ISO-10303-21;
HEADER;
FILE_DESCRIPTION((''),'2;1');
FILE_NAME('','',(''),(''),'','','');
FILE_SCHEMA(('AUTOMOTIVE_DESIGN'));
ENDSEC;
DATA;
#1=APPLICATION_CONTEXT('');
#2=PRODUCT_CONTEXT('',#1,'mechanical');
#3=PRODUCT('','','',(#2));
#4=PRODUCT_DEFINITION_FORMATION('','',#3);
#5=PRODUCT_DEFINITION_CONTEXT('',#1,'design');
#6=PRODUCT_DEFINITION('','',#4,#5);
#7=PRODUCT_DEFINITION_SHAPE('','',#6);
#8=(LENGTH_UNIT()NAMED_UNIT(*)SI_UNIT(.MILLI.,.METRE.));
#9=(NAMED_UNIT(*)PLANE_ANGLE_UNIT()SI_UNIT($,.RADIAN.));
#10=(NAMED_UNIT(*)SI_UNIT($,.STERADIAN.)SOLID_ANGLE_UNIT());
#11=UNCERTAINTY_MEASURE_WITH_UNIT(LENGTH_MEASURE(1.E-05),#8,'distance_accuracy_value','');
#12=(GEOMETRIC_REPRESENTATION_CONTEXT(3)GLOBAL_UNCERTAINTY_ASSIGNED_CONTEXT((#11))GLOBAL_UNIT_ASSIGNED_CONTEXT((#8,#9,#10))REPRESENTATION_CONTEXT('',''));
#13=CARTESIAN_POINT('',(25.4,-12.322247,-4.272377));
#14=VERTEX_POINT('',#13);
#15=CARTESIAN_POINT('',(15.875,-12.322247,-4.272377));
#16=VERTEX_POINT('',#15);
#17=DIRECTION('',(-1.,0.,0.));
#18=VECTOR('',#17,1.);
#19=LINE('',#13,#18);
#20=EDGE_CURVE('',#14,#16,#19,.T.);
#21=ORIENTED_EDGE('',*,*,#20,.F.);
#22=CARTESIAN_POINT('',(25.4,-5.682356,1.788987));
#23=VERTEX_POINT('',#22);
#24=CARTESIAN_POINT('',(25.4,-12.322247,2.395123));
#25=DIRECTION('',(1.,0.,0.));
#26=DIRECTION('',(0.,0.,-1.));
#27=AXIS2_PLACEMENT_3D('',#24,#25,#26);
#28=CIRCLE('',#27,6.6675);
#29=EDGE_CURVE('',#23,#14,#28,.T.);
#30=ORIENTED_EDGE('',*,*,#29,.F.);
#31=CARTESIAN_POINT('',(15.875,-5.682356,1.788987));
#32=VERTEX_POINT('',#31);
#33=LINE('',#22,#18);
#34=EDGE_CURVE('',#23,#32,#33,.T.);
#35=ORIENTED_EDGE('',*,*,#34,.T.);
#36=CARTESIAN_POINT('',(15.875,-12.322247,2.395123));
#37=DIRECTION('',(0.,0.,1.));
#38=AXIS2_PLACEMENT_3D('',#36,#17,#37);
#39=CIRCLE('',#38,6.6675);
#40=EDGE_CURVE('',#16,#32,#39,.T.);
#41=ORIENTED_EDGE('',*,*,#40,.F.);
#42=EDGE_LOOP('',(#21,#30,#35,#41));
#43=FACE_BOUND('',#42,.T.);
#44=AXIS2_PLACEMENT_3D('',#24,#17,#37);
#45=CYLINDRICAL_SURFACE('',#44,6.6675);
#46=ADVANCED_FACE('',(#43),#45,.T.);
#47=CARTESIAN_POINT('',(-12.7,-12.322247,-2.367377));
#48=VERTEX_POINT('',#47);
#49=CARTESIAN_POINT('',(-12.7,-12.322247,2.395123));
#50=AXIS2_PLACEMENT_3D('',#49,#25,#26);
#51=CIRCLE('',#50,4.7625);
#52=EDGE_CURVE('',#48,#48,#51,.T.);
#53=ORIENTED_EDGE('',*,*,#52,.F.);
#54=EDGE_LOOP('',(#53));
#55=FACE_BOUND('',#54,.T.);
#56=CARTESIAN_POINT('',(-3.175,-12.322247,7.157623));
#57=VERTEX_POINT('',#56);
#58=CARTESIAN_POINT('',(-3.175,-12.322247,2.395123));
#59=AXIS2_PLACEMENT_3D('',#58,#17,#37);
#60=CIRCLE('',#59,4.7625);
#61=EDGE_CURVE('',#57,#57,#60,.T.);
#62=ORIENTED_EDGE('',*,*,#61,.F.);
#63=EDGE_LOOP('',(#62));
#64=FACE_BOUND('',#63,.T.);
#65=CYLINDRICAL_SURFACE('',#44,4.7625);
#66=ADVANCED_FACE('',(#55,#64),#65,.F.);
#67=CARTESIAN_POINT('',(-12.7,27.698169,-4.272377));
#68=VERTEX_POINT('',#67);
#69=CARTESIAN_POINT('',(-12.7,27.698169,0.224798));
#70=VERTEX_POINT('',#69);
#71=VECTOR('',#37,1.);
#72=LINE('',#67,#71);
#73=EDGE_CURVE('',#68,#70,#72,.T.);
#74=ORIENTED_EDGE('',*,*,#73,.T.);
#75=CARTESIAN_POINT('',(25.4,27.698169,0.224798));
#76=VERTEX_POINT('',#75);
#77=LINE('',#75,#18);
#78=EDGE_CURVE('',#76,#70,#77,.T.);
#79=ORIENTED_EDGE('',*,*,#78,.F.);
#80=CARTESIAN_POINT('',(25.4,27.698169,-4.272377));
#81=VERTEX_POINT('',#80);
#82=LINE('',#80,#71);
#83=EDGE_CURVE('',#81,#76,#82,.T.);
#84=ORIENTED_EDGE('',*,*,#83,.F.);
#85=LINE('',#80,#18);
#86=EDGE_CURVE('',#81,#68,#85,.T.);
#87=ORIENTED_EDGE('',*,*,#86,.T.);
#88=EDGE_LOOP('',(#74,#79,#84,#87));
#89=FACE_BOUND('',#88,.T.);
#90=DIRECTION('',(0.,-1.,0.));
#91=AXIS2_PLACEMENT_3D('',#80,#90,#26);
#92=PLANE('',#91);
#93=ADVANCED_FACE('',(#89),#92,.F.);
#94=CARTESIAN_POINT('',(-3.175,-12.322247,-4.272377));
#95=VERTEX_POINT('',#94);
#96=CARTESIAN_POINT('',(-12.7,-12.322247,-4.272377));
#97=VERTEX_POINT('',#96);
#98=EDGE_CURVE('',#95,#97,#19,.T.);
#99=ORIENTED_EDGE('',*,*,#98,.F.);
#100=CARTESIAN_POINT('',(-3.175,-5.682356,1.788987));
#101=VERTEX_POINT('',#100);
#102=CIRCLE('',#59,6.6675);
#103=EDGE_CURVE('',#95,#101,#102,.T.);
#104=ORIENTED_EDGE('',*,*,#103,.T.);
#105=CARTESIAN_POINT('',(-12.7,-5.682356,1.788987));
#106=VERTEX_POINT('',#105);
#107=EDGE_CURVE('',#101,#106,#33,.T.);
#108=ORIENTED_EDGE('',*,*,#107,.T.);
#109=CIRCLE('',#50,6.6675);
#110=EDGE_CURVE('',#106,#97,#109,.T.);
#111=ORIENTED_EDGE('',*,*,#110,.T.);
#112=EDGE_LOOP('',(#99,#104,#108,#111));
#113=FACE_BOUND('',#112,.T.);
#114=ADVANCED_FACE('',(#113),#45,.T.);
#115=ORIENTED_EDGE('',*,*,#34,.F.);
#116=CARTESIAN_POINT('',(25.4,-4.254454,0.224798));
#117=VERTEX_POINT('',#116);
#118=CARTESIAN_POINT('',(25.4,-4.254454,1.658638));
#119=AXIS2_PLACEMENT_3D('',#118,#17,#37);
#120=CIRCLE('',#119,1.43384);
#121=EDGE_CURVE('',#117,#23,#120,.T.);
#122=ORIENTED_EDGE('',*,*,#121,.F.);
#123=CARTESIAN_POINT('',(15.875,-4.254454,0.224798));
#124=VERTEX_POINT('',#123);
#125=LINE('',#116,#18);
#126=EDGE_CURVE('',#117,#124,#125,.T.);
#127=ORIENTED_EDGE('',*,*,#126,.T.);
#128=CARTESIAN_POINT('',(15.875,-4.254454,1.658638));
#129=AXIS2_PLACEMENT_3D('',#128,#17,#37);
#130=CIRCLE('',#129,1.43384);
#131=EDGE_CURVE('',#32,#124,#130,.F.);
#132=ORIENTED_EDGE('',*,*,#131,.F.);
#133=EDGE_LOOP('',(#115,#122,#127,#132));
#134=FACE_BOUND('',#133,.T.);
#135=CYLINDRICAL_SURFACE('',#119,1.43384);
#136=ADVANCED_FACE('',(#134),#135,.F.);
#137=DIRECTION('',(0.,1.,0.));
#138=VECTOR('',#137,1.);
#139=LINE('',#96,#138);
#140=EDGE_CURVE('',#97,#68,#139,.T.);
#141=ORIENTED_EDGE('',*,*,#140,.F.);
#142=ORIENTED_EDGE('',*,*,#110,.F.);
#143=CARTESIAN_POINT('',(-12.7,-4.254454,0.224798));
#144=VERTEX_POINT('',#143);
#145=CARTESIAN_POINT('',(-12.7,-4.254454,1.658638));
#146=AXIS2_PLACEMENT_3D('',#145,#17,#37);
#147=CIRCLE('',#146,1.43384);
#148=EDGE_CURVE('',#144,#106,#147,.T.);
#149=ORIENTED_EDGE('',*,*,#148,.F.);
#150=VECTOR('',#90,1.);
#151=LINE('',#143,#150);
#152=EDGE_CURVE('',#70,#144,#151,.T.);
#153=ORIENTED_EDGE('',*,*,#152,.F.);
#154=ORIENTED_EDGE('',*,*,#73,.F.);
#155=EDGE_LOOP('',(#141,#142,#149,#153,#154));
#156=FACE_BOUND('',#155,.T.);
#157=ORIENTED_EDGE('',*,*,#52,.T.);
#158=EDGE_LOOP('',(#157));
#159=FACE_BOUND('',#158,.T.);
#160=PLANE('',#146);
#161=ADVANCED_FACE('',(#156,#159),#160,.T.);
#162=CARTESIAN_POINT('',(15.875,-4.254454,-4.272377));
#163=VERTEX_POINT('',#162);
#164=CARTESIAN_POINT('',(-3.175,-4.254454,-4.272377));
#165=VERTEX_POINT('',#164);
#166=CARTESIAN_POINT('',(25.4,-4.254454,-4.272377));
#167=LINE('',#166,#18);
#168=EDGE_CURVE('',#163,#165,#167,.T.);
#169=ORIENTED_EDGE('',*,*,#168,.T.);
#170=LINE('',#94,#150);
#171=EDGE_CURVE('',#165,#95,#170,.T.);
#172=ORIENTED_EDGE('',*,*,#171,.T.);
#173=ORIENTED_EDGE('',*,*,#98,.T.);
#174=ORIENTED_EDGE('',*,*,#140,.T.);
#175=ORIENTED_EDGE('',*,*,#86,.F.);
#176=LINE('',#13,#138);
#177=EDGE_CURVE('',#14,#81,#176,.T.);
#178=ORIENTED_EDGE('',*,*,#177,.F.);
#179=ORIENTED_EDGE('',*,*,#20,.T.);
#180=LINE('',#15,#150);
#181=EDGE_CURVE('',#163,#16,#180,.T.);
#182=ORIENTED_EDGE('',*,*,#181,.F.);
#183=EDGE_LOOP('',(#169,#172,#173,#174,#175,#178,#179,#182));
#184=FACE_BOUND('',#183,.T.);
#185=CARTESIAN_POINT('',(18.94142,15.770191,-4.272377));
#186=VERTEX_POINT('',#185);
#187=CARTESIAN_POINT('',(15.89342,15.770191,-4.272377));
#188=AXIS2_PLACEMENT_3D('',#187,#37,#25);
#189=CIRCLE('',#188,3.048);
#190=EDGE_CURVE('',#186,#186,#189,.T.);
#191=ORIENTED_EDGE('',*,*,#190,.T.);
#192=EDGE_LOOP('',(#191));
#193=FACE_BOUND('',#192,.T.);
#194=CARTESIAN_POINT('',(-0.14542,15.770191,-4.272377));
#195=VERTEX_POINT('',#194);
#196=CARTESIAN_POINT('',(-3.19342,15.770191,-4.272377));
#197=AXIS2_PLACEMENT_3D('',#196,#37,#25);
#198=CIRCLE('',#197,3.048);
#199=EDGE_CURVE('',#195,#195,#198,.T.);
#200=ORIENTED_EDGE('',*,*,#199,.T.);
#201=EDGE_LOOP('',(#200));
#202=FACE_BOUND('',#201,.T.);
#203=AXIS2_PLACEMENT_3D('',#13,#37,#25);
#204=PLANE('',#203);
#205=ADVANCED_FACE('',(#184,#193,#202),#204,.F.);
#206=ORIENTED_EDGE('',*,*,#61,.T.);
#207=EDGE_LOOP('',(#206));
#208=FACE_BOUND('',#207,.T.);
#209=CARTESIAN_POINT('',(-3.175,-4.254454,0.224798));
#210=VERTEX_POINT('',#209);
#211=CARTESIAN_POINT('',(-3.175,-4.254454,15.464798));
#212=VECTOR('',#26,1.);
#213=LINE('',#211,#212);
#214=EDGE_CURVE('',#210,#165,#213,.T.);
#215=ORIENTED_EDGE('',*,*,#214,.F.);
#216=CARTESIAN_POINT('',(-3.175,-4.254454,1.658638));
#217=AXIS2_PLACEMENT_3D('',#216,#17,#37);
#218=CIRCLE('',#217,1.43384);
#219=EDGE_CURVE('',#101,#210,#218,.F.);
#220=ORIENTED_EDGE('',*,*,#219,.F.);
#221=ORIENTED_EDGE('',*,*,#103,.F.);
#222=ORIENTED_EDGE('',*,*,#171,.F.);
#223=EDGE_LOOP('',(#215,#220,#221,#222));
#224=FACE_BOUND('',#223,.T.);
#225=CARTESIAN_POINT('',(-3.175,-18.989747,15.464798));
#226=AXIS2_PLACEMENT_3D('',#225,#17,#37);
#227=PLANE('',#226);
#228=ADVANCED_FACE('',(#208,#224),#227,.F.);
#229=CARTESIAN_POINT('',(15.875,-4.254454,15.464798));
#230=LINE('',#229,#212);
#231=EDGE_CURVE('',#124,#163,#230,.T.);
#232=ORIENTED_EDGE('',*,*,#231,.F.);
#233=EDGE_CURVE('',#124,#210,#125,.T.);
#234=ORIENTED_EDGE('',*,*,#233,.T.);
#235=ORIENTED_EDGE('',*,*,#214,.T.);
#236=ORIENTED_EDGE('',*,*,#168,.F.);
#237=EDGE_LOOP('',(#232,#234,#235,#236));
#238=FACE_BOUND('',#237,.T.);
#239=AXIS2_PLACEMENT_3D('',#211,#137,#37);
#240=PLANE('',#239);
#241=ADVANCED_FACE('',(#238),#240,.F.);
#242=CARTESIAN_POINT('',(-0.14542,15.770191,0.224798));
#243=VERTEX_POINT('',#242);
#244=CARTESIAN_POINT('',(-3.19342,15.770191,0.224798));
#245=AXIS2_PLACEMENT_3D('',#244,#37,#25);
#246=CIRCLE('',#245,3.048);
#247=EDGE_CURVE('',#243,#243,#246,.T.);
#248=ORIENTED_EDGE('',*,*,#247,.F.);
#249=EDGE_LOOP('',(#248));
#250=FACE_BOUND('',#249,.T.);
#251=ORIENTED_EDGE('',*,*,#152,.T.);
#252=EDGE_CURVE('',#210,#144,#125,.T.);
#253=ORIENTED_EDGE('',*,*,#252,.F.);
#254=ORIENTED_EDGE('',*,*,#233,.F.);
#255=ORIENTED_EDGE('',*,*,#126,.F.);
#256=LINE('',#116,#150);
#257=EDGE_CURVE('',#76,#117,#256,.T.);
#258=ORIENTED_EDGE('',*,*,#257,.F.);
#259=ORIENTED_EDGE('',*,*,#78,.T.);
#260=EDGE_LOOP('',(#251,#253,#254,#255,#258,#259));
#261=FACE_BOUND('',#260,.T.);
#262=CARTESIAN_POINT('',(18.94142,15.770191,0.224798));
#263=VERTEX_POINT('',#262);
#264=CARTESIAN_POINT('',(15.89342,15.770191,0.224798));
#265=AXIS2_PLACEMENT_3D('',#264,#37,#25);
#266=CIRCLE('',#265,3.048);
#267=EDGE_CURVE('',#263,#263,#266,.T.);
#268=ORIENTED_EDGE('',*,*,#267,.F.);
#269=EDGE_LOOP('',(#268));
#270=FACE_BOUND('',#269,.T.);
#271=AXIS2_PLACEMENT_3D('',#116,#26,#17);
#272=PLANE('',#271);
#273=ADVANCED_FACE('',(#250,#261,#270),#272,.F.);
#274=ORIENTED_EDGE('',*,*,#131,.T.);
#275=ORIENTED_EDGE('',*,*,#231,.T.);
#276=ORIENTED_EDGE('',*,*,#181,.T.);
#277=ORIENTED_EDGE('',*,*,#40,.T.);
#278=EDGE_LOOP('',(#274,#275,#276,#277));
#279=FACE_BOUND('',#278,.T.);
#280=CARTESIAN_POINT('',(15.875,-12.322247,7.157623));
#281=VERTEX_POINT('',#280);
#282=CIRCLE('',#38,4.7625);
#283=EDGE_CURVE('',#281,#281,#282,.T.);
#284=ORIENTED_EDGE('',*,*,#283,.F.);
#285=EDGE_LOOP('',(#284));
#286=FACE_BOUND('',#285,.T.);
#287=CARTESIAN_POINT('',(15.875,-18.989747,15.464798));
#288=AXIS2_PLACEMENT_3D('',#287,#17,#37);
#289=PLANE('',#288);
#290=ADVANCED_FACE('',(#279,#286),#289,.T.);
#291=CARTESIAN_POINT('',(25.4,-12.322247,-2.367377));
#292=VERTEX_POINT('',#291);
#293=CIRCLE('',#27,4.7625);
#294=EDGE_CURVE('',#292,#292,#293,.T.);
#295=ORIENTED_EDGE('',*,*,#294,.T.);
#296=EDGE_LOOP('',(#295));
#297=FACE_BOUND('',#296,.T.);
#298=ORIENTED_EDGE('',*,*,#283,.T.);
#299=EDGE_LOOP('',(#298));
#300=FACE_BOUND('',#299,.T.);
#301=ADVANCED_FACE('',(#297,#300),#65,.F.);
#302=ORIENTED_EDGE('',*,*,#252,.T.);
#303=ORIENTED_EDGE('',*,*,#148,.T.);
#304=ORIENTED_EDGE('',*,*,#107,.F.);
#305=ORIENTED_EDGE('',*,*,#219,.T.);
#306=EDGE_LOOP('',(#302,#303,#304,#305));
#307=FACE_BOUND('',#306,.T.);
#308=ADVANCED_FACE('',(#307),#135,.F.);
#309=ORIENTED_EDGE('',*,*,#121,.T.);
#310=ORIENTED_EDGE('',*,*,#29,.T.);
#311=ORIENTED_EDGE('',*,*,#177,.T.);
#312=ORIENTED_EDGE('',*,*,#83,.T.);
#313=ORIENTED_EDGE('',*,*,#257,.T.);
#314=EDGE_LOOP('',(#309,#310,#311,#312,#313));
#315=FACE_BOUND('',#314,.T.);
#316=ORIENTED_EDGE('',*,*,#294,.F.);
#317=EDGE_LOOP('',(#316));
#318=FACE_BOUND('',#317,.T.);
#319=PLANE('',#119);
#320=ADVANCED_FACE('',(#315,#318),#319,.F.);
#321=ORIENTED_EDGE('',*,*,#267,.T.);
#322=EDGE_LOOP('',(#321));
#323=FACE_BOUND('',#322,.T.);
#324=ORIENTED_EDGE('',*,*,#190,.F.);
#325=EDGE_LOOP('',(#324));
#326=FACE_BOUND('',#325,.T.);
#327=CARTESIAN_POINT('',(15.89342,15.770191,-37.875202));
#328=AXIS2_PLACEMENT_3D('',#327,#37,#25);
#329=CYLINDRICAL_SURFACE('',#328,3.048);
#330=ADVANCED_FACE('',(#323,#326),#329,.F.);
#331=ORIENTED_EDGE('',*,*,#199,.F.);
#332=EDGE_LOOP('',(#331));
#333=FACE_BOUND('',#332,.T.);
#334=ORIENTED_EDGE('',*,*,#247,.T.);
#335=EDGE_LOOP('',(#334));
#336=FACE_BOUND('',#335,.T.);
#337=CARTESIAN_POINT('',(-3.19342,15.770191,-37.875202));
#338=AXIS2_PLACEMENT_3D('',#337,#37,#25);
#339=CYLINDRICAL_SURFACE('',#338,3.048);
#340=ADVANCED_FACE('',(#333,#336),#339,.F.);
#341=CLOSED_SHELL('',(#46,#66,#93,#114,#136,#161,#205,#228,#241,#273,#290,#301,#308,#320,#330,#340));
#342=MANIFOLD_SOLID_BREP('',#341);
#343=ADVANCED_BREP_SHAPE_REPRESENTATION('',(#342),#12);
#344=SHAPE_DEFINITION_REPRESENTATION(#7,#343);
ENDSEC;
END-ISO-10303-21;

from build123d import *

# Parameters (mm, degrees)
SKETCH2_R               = 1.5875
BOSS_EXTRUDE1_DEPTH     = 12.7
SKETCH3_R               = 1.016
CUT_EXTRUDE1_DEPTH      = 12.7
CUT_EXTRUDE3_DEPTH      = 5.08
CUT_EXTRUDE3_DEPTH_BACK = 50.8
SKETCH4_W               = 6.35
SKETCH4_H               = 4.911764537
SCALE1_SCALE            = 3


with BuildPart() as part:
    # Sketch2 → Boss-Extrude1 (new body)
    with BuildSketch(Plane(origin=(0, 0, 0), x_dir=(0, 0, -1), z_dir=(1, 0, 0))):
        with BuildLine():
            Line((0.7234417, 2.689264537), (0.7234417, 13.340138709))
            Line((0.7234417, 13.340138709), (2.2225, 13.340138709))
            Line((2.2225, 13.340138709), (2.2225, 0))
            ThreePointArc((2.2225, 0), (-1.641425032, -1.498409194), (0.202045455, 2.213297062))
            ThreePointArc((0.202045455, 2.213297062), (0.567726646, 2.33627761), (0.7234417, 2.689264537))
        make_face()
        Circle(SKETCH2_R, mode=Mode.SUBTRACT)
    extrude(amount=BOSS_EXTRUDE1_DEPTH)

    # Sketch3 → Cut-Extrude1 (cut)
    with BuildSketch(Plane.XY.offset(-0.7234417)):
        with Locations((3.168860155, 9.364146191)):
            Circle(SKETCH3_R)
        with Locations((9.531139845, 9.364146191)):
            Circle(SKETCH3_R)
    extrude(amount=-CUT_EXTRUDE1_DEPTH, mode=Mode.SUBTRACT)

    # Sketch4 → Cut-Extrude3 (cut, two sides: drawn at the far end of the back side and taken through both)
    with BuildSketch(Plane.XY.offset(-0.7234417).offset(-CUT_EXTRUDE3_DEPTH_BACK)):
        with Locations((6.35, 0.233382268)):
            Rectangle(SKETCH4_W, SKETCH4_H)
    extrude(amount=CUT_EXTRUDE3_DEPTH + CUT_EXTRUDE3_DEPTH_BACK, mode=Mode.SUBTRACT)


with BuildPart() as part_1:
    # Scale1: scaled about (6.35, 6.161123686, -1.197561497)
    add(part.part.scale(SCALE1_SCALE).moved(Location((-12.7, -12.322247372, 2.395122994))))


solid = part_1.part
